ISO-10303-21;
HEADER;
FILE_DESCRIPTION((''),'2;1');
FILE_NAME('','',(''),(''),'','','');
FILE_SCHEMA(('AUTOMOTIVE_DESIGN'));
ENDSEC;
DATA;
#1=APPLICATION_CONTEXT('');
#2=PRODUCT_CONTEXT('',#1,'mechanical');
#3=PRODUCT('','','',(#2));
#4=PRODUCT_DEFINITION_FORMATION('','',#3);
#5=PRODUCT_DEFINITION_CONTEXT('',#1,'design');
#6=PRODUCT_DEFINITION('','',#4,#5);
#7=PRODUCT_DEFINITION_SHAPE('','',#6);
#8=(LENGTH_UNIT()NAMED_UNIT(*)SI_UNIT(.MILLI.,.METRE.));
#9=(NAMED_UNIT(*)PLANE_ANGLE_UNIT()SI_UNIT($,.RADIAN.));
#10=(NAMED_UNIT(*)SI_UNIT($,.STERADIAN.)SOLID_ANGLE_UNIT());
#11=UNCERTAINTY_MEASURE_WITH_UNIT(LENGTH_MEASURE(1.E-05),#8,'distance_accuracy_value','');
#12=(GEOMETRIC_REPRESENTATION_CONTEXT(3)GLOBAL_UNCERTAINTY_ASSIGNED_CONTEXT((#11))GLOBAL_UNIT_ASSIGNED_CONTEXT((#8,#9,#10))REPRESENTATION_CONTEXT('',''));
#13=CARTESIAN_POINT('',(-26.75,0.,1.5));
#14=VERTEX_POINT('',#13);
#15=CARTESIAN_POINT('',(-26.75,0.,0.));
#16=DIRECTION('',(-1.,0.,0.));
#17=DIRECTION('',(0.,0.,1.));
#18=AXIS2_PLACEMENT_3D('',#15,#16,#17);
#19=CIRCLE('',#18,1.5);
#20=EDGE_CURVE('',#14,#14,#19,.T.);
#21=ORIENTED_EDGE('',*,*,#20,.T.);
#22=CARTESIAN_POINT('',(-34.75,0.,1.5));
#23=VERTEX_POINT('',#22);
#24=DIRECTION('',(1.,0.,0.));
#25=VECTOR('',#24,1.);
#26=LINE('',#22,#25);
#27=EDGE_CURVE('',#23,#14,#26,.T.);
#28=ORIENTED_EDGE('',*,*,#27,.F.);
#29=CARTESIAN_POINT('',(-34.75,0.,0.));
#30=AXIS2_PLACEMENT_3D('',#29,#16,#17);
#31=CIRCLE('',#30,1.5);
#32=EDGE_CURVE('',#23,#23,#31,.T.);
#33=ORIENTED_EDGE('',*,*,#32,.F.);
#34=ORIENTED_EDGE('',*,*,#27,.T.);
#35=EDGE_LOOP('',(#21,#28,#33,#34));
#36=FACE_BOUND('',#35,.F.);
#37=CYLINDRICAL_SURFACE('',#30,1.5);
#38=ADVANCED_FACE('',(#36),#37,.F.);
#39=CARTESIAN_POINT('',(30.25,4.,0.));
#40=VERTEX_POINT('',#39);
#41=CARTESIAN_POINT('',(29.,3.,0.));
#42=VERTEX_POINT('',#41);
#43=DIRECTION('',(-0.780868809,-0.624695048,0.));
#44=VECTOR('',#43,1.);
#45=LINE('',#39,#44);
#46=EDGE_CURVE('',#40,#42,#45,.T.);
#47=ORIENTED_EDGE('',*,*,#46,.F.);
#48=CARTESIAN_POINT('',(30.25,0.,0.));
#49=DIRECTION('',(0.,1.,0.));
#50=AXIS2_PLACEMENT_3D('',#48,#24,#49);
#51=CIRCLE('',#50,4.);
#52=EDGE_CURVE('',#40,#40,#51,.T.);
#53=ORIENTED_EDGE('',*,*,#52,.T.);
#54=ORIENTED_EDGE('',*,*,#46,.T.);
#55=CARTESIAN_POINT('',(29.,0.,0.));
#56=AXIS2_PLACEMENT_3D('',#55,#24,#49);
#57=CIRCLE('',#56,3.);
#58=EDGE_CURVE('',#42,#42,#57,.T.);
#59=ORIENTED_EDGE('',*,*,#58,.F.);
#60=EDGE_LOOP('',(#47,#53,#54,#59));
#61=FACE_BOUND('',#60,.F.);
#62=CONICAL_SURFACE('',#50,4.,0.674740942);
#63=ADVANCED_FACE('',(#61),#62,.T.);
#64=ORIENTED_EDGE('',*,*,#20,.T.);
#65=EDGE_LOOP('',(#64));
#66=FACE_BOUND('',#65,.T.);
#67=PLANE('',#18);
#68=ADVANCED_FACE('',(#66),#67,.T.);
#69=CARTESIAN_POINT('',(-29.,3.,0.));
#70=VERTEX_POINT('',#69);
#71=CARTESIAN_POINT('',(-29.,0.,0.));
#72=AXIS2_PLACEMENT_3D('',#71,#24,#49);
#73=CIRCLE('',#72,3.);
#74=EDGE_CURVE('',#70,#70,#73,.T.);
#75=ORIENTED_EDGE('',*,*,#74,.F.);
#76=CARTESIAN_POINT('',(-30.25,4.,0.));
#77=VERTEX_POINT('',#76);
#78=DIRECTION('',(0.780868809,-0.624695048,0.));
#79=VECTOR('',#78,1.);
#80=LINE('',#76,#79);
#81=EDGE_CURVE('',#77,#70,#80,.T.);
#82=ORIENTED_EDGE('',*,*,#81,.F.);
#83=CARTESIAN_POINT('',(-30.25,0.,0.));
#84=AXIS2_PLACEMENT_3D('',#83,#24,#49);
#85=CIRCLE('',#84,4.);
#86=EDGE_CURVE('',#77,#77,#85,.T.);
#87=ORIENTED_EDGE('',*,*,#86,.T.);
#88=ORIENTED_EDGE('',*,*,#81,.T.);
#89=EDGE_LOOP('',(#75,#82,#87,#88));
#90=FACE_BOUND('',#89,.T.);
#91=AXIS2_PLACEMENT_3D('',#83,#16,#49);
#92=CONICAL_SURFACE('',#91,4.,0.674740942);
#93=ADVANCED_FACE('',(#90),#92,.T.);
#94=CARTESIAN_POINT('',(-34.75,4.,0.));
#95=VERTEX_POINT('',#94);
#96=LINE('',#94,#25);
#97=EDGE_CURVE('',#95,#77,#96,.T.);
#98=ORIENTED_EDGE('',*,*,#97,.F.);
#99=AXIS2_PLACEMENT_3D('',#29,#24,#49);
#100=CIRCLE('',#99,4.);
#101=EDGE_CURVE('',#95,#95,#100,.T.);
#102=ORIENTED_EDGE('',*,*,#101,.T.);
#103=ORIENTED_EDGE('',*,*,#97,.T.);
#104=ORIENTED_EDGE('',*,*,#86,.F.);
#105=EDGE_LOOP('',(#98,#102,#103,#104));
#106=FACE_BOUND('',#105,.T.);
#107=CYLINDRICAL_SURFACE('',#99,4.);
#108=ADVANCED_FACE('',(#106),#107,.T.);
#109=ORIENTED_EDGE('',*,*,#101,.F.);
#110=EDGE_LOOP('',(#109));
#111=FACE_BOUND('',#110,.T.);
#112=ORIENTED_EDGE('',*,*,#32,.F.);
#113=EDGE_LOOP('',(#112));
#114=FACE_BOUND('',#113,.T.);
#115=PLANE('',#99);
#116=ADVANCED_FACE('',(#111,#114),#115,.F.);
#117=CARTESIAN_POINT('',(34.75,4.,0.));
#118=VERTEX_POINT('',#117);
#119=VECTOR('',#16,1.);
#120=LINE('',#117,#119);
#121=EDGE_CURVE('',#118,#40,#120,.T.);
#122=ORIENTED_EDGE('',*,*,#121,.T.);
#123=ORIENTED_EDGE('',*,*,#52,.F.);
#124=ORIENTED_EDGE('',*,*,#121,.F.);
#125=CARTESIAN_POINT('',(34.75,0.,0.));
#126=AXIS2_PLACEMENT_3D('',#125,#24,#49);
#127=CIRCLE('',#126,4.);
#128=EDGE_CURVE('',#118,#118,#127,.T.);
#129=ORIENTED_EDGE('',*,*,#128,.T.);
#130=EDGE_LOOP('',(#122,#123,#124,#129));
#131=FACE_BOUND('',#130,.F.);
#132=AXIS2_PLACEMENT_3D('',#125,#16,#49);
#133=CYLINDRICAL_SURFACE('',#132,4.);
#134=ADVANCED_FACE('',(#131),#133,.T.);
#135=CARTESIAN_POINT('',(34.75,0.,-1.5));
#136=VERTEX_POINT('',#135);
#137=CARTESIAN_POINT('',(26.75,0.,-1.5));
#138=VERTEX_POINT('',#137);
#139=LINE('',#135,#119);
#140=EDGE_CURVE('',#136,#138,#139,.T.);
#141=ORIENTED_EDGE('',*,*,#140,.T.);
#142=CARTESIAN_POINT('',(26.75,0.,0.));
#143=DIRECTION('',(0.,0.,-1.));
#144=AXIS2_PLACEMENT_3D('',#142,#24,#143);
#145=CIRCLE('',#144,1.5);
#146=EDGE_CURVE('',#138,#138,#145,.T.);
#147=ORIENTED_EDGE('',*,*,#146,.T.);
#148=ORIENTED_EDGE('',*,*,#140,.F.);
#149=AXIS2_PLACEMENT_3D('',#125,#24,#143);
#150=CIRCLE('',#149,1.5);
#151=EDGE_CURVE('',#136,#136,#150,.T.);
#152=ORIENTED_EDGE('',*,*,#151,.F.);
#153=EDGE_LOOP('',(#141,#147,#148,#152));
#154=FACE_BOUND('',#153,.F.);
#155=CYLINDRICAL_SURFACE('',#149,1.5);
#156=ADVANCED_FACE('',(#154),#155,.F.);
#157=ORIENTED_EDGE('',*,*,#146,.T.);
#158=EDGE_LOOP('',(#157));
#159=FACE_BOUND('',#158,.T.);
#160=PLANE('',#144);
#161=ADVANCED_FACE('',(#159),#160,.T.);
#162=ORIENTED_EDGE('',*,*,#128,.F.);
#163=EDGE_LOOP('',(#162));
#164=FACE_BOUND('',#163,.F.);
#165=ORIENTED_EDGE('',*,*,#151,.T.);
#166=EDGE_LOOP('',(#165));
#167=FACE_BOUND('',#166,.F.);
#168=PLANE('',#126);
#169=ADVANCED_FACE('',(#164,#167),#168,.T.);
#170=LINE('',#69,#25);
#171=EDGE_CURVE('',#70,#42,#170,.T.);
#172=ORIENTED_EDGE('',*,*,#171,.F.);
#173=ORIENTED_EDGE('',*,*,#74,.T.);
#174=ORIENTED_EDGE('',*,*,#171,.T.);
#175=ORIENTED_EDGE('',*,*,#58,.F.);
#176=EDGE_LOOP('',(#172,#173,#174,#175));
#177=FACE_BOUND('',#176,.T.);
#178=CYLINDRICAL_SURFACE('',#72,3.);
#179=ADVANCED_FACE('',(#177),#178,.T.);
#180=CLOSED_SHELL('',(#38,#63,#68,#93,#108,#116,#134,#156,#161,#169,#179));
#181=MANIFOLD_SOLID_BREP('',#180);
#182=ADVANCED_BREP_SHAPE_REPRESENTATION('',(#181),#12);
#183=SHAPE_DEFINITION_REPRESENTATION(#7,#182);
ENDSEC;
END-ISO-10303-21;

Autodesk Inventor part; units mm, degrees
ref_plane "YZ Plane" through (0, 0, 0) normal (1, 0, 0) x (0, 1, 0)
ref_plane "XZ Plane" through (0, 0, 0) normal (0, 1, 0) x (-1, 0, 0)
ref_plane "XY Plane" through (0, 0, 0) normal (0, 0, 1) x (1, 0, 0)
sketch "Sketch1" plane through (0, 0, 0) normal (0, 0, 1) x (1, 0, 0)
  line L0 (-34.75, 0) -> (34.75, 0)
  line L1 (-34.75, 0) -> (-34.75, 4)
  line L2 (-34.75, 4) -> (-30.25, 4)
  line L3 (34.75, 0) -> (34.75, 4)
  line L4 (34.75, 4) -> (30.25, 4)
  line L5 (-29, 3) -> (29, 3)
  line L6 (-30.25, 4) -> (-29, 3)
  line L7 (30.25, 4) -> (29, 3)
  point P0 (0, 0)
  dimension "d0" = 69.5
  dimension "d1" = 0
  dimension "d2" = 34.75
  dimension "d3" = 4
  dimension "d4" = 4.5
  dimension "d5" = 4
  dimension "d6" = 4.5
  dimension "d7" = 58
  dimension "d8" = 3
  dimension "d9" = 29
revolve "Revolution1" add sketch "Sketch1" angle 360 about axis through (-34.75, 0, 0) along (1, 0, 0)
sketch "Sketch2" plane through (34.75, 0, 0) normal (1, 0, 0) x (0, 0, -1)
  circle A0 centre (0, 0) radius 1.5
  dimension "d11" = 3
extrude "Extrusion1" cut sketch "Sketch2" against normal blind 8
thread "Thread1" size "M3x0.5" class "6H" standard "ANSI Metric M Profile" full length
sketch "Sketch3" plane through (-34.75, 0, 0) normal (-1, 0, 0) x (0, 0, 1)
  circle A0 centre (0, 0) radius 1.5
  dimension "d16" = 3
extrude "Extrusion2" cut sketch "Sketch3" against normal blind 8
thread "Thread2" size "M3x0.5" class "6H" standard "ANSI Metric M Profile" full length
properties part number "RCT-H010_Al_side_plate_post"
